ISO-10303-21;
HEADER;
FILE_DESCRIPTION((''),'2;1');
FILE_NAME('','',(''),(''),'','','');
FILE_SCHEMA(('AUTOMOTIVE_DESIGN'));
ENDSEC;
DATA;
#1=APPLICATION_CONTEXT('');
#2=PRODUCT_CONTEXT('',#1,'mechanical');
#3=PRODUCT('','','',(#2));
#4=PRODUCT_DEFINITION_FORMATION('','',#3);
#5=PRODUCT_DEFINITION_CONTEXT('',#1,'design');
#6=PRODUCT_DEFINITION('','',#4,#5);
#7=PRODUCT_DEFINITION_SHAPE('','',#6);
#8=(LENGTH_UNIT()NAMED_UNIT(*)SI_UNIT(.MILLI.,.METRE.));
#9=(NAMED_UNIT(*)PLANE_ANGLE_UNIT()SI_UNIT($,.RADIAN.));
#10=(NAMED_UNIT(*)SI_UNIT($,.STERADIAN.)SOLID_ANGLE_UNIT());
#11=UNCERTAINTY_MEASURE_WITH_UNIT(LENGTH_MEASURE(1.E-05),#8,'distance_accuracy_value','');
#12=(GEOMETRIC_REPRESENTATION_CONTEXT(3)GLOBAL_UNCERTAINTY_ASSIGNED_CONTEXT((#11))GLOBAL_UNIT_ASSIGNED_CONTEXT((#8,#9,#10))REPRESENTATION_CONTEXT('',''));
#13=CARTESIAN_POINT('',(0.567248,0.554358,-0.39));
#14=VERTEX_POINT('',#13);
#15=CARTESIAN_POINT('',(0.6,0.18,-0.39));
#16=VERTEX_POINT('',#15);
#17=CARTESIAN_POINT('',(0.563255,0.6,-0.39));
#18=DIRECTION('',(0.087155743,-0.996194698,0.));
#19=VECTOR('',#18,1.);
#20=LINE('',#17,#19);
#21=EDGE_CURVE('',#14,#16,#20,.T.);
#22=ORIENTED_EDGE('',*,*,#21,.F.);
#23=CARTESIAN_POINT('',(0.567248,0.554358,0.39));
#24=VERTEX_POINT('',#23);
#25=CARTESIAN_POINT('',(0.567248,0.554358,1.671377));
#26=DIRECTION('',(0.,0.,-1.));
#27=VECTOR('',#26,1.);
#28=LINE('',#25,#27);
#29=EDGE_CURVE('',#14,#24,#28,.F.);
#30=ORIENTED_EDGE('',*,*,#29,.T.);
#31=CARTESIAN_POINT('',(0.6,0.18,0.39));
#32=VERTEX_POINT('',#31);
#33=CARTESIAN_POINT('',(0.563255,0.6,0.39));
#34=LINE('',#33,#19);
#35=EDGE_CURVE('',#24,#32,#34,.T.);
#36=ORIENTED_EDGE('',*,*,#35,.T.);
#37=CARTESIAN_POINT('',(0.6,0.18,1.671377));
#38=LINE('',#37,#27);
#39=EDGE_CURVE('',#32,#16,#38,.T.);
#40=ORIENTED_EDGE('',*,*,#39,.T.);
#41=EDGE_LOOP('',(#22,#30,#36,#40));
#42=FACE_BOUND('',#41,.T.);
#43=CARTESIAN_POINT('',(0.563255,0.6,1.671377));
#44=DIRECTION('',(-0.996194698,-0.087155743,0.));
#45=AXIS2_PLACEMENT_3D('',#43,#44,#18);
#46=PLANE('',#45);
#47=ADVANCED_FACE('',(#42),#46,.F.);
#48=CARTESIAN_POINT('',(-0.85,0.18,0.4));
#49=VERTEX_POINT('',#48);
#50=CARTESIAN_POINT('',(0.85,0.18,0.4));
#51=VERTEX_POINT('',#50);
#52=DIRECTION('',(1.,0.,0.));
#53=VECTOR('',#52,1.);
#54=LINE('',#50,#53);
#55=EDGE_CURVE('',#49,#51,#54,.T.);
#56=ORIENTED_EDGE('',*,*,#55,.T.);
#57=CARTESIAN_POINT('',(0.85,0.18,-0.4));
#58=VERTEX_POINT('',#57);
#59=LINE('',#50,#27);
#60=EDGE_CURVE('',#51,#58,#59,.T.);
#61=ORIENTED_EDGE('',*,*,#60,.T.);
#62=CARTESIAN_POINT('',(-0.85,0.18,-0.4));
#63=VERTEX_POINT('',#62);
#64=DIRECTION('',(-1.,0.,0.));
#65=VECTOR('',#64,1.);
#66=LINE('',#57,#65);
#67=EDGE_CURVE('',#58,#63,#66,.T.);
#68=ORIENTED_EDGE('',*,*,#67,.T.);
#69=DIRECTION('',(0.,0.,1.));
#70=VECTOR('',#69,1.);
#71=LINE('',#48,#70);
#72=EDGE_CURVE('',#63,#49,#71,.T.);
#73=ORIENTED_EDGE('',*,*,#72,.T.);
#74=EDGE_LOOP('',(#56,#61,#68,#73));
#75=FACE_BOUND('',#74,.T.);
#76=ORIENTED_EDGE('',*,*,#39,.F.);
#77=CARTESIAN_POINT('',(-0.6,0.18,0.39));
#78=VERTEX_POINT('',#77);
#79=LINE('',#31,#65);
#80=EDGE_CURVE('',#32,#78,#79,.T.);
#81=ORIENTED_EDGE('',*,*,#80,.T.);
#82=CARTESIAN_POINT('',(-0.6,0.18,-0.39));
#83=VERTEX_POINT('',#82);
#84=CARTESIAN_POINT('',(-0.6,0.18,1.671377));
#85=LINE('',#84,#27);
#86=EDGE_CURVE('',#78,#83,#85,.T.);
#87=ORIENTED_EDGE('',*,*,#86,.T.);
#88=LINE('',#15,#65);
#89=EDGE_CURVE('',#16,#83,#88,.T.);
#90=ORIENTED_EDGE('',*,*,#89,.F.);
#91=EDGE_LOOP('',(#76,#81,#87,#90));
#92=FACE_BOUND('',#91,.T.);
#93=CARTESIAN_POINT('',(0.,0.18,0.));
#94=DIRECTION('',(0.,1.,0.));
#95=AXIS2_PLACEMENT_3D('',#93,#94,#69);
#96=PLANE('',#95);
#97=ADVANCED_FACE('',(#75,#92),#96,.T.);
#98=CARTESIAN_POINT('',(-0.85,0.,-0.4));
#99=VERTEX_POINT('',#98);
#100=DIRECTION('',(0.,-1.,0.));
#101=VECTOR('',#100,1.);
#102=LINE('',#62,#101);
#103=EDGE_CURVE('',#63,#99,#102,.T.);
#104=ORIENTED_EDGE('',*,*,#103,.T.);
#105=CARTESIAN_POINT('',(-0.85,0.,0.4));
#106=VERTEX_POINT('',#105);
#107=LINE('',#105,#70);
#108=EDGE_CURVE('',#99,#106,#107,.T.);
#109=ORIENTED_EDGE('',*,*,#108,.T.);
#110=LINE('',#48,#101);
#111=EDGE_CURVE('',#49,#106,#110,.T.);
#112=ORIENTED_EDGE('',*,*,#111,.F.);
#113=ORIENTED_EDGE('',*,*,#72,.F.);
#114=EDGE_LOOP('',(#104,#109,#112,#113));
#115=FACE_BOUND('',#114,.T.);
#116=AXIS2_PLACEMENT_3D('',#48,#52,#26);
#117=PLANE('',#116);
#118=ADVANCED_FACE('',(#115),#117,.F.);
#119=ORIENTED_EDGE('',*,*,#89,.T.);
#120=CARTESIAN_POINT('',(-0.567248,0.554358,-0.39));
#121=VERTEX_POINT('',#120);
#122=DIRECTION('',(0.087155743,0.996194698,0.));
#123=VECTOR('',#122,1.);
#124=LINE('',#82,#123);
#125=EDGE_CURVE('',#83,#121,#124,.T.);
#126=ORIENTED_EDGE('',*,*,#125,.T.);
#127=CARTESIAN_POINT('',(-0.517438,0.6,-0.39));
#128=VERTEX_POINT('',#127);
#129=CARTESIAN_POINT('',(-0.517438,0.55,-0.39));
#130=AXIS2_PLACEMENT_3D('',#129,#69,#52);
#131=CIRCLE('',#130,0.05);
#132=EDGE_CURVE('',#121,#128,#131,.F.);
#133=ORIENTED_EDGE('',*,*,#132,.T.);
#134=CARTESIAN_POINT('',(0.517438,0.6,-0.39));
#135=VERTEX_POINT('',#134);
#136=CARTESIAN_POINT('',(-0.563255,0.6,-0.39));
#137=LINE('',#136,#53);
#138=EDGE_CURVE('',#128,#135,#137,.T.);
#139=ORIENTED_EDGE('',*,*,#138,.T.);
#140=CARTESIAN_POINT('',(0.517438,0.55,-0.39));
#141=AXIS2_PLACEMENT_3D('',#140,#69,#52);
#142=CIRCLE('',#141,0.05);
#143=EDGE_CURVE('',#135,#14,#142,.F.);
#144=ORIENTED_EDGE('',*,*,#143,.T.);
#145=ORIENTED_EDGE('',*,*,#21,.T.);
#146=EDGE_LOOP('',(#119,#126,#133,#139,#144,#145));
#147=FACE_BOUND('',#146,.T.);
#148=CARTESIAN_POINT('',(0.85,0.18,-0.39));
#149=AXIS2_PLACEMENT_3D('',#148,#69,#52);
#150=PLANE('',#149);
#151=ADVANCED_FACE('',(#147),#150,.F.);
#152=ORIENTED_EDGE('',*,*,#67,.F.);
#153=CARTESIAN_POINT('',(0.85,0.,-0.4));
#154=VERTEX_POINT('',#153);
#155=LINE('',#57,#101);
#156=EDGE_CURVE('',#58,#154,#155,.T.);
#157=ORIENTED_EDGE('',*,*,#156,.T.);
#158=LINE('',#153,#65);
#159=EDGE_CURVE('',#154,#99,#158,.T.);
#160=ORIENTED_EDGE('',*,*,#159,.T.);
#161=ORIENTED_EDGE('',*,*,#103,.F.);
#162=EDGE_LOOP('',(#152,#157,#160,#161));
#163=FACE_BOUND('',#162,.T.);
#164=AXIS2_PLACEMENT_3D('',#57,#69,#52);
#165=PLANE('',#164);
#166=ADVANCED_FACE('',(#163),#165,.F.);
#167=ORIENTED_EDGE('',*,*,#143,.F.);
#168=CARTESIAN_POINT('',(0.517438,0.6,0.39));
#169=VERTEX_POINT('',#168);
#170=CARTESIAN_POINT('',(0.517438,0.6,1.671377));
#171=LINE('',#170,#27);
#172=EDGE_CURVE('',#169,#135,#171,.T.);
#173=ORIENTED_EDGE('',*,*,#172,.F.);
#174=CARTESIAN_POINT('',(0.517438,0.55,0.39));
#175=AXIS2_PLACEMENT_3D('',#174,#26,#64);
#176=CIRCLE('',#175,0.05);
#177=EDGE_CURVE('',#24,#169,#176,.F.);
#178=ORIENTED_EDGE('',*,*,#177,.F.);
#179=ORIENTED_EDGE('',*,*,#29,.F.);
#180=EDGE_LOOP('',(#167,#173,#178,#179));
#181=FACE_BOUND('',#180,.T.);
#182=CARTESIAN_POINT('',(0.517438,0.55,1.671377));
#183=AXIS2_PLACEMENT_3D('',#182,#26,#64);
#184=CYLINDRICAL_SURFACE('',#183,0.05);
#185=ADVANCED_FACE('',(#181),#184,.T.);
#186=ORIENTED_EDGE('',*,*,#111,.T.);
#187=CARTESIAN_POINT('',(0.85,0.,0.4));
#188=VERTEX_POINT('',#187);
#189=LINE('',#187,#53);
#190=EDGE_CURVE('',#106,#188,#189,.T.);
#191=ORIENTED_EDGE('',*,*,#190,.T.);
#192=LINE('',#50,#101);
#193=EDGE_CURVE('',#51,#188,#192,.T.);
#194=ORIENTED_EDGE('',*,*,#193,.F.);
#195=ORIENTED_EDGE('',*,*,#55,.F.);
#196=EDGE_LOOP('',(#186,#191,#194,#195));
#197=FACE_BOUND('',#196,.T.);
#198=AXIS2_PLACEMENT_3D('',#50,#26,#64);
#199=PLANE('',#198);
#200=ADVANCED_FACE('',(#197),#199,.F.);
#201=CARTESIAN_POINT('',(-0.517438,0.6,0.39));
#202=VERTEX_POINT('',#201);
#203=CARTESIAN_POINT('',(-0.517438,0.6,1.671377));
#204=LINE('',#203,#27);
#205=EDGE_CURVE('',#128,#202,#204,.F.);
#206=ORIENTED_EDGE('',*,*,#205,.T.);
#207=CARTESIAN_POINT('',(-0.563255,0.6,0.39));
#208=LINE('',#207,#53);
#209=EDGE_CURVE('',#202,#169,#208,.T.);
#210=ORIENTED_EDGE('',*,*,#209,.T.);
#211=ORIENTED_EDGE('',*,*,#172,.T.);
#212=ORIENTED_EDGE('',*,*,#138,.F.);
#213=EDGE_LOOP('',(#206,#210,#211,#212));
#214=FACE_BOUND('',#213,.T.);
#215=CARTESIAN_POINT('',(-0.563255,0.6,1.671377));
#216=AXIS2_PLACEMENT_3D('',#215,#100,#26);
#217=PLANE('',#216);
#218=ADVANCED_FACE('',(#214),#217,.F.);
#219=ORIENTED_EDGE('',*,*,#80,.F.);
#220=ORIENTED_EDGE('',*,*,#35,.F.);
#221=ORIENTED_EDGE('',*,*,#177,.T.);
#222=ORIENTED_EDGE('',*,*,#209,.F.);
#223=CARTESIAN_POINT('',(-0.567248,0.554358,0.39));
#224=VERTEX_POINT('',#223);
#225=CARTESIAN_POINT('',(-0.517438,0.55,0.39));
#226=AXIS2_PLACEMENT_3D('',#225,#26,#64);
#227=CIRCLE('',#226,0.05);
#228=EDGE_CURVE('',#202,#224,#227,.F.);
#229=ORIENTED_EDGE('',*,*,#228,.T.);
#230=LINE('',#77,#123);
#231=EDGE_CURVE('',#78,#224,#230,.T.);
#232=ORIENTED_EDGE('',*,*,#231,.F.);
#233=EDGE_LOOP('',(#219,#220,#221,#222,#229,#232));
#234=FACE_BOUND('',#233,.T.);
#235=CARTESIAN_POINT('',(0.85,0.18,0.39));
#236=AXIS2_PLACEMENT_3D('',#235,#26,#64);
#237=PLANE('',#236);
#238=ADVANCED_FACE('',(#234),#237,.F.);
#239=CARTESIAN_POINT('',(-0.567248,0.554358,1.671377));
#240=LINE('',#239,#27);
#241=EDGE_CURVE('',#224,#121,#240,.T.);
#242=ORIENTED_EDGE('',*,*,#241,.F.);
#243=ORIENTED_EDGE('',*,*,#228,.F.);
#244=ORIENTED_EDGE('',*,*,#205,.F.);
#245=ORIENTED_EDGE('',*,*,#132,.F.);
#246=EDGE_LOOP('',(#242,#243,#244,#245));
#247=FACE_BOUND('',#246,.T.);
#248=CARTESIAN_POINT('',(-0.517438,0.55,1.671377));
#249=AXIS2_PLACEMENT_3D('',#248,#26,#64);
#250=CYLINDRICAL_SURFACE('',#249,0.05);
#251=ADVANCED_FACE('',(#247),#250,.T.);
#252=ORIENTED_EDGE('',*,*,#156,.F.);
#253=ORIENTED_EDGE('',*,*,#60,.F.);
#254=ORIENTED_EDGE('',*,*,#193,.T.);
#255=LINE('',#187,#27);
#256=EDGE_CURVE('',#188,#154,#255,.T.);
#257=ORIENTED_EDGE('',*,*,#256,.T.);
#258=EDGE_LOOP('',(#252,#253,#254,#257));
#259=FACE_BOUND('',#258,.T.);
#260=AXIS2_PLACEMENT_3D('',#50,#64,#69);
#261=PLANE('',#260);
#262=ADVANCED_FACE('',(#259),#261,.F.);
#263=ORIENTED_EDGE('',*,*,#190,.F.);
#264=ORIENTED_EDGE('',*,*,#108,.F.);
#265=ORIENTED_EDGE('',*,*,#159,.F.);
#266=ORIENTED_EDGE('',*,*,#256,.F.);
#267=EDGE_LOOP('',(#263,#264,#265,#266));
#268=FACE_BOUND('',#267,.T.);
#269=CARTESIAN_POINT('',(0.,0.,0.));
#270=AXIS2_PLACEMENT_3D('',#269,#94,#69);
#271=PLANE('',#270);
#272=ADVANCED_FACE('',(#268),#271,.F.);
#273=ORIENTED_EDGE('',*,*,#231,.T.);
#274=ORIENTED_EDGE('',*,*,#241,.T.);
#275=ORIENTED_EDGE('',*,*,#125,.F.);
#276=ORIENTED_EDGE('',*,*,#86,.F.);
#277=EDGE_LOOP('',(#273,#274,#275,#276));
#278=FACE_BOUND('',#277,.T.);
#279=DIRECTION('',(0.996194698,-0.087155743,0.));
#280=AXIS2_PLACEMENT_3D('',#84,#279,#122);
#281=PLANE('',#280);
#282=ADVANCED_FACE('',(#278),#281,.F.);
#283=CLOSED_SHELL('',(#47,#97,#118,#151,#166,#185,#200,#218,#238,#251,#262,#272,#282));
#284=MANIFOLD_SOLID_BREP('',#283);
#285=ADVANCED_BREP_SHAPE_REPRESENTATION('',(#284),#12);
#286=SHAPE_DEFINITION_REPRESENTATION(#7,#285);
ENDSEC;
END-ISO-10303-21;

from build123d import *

# Parameters (mm, degrees)
SKETCH1_W       = 1.7
SKETCH1_H       = 0.8
BASE_DEPTH      = 0.18
LENS_DEPTH      = 0.39
LENS_DEPTH_BACK = 0.39
LENS_ROUNDS_R   = 0.05


with BuildPart() as part:
    # Sketch1 → Base (new body)
    with BuildSketch(Plane(origin=(0, 0, 0), x_dir=(1, 0, 0), z_dir=(0, 1, 0))):
        Rectangle(SKETCH1_W, SKETCH1_H)
    extrude(amount=BASE_DEPTH)

    # Sketch2 → Lens (add, two sides: drawn at the far end of the back side and taken through both)
    with BuildSketch(Plane.XY.offset(-LENS_DEPTH_BACK)):
        Polygon((-0.6, 0.18), (-0.563254761, 0.6), (0.563254761, 0.6), (0.6, 0.18), align=None)
    extrude(amount=LENS_DEPTH + LENS_DEPTH_BACK)

    # Lens Rounds
    lens_rounds_edges = [part.edges().sort_by_distance(p)[0] for p in [
        (-0.563254761, 0.6, 0),
        (0.563254761, 0.6, 0),
    ]]
    fillet(lens_rounds_edges, radius=LENS_ROUNDS_R)


solid = part.part
